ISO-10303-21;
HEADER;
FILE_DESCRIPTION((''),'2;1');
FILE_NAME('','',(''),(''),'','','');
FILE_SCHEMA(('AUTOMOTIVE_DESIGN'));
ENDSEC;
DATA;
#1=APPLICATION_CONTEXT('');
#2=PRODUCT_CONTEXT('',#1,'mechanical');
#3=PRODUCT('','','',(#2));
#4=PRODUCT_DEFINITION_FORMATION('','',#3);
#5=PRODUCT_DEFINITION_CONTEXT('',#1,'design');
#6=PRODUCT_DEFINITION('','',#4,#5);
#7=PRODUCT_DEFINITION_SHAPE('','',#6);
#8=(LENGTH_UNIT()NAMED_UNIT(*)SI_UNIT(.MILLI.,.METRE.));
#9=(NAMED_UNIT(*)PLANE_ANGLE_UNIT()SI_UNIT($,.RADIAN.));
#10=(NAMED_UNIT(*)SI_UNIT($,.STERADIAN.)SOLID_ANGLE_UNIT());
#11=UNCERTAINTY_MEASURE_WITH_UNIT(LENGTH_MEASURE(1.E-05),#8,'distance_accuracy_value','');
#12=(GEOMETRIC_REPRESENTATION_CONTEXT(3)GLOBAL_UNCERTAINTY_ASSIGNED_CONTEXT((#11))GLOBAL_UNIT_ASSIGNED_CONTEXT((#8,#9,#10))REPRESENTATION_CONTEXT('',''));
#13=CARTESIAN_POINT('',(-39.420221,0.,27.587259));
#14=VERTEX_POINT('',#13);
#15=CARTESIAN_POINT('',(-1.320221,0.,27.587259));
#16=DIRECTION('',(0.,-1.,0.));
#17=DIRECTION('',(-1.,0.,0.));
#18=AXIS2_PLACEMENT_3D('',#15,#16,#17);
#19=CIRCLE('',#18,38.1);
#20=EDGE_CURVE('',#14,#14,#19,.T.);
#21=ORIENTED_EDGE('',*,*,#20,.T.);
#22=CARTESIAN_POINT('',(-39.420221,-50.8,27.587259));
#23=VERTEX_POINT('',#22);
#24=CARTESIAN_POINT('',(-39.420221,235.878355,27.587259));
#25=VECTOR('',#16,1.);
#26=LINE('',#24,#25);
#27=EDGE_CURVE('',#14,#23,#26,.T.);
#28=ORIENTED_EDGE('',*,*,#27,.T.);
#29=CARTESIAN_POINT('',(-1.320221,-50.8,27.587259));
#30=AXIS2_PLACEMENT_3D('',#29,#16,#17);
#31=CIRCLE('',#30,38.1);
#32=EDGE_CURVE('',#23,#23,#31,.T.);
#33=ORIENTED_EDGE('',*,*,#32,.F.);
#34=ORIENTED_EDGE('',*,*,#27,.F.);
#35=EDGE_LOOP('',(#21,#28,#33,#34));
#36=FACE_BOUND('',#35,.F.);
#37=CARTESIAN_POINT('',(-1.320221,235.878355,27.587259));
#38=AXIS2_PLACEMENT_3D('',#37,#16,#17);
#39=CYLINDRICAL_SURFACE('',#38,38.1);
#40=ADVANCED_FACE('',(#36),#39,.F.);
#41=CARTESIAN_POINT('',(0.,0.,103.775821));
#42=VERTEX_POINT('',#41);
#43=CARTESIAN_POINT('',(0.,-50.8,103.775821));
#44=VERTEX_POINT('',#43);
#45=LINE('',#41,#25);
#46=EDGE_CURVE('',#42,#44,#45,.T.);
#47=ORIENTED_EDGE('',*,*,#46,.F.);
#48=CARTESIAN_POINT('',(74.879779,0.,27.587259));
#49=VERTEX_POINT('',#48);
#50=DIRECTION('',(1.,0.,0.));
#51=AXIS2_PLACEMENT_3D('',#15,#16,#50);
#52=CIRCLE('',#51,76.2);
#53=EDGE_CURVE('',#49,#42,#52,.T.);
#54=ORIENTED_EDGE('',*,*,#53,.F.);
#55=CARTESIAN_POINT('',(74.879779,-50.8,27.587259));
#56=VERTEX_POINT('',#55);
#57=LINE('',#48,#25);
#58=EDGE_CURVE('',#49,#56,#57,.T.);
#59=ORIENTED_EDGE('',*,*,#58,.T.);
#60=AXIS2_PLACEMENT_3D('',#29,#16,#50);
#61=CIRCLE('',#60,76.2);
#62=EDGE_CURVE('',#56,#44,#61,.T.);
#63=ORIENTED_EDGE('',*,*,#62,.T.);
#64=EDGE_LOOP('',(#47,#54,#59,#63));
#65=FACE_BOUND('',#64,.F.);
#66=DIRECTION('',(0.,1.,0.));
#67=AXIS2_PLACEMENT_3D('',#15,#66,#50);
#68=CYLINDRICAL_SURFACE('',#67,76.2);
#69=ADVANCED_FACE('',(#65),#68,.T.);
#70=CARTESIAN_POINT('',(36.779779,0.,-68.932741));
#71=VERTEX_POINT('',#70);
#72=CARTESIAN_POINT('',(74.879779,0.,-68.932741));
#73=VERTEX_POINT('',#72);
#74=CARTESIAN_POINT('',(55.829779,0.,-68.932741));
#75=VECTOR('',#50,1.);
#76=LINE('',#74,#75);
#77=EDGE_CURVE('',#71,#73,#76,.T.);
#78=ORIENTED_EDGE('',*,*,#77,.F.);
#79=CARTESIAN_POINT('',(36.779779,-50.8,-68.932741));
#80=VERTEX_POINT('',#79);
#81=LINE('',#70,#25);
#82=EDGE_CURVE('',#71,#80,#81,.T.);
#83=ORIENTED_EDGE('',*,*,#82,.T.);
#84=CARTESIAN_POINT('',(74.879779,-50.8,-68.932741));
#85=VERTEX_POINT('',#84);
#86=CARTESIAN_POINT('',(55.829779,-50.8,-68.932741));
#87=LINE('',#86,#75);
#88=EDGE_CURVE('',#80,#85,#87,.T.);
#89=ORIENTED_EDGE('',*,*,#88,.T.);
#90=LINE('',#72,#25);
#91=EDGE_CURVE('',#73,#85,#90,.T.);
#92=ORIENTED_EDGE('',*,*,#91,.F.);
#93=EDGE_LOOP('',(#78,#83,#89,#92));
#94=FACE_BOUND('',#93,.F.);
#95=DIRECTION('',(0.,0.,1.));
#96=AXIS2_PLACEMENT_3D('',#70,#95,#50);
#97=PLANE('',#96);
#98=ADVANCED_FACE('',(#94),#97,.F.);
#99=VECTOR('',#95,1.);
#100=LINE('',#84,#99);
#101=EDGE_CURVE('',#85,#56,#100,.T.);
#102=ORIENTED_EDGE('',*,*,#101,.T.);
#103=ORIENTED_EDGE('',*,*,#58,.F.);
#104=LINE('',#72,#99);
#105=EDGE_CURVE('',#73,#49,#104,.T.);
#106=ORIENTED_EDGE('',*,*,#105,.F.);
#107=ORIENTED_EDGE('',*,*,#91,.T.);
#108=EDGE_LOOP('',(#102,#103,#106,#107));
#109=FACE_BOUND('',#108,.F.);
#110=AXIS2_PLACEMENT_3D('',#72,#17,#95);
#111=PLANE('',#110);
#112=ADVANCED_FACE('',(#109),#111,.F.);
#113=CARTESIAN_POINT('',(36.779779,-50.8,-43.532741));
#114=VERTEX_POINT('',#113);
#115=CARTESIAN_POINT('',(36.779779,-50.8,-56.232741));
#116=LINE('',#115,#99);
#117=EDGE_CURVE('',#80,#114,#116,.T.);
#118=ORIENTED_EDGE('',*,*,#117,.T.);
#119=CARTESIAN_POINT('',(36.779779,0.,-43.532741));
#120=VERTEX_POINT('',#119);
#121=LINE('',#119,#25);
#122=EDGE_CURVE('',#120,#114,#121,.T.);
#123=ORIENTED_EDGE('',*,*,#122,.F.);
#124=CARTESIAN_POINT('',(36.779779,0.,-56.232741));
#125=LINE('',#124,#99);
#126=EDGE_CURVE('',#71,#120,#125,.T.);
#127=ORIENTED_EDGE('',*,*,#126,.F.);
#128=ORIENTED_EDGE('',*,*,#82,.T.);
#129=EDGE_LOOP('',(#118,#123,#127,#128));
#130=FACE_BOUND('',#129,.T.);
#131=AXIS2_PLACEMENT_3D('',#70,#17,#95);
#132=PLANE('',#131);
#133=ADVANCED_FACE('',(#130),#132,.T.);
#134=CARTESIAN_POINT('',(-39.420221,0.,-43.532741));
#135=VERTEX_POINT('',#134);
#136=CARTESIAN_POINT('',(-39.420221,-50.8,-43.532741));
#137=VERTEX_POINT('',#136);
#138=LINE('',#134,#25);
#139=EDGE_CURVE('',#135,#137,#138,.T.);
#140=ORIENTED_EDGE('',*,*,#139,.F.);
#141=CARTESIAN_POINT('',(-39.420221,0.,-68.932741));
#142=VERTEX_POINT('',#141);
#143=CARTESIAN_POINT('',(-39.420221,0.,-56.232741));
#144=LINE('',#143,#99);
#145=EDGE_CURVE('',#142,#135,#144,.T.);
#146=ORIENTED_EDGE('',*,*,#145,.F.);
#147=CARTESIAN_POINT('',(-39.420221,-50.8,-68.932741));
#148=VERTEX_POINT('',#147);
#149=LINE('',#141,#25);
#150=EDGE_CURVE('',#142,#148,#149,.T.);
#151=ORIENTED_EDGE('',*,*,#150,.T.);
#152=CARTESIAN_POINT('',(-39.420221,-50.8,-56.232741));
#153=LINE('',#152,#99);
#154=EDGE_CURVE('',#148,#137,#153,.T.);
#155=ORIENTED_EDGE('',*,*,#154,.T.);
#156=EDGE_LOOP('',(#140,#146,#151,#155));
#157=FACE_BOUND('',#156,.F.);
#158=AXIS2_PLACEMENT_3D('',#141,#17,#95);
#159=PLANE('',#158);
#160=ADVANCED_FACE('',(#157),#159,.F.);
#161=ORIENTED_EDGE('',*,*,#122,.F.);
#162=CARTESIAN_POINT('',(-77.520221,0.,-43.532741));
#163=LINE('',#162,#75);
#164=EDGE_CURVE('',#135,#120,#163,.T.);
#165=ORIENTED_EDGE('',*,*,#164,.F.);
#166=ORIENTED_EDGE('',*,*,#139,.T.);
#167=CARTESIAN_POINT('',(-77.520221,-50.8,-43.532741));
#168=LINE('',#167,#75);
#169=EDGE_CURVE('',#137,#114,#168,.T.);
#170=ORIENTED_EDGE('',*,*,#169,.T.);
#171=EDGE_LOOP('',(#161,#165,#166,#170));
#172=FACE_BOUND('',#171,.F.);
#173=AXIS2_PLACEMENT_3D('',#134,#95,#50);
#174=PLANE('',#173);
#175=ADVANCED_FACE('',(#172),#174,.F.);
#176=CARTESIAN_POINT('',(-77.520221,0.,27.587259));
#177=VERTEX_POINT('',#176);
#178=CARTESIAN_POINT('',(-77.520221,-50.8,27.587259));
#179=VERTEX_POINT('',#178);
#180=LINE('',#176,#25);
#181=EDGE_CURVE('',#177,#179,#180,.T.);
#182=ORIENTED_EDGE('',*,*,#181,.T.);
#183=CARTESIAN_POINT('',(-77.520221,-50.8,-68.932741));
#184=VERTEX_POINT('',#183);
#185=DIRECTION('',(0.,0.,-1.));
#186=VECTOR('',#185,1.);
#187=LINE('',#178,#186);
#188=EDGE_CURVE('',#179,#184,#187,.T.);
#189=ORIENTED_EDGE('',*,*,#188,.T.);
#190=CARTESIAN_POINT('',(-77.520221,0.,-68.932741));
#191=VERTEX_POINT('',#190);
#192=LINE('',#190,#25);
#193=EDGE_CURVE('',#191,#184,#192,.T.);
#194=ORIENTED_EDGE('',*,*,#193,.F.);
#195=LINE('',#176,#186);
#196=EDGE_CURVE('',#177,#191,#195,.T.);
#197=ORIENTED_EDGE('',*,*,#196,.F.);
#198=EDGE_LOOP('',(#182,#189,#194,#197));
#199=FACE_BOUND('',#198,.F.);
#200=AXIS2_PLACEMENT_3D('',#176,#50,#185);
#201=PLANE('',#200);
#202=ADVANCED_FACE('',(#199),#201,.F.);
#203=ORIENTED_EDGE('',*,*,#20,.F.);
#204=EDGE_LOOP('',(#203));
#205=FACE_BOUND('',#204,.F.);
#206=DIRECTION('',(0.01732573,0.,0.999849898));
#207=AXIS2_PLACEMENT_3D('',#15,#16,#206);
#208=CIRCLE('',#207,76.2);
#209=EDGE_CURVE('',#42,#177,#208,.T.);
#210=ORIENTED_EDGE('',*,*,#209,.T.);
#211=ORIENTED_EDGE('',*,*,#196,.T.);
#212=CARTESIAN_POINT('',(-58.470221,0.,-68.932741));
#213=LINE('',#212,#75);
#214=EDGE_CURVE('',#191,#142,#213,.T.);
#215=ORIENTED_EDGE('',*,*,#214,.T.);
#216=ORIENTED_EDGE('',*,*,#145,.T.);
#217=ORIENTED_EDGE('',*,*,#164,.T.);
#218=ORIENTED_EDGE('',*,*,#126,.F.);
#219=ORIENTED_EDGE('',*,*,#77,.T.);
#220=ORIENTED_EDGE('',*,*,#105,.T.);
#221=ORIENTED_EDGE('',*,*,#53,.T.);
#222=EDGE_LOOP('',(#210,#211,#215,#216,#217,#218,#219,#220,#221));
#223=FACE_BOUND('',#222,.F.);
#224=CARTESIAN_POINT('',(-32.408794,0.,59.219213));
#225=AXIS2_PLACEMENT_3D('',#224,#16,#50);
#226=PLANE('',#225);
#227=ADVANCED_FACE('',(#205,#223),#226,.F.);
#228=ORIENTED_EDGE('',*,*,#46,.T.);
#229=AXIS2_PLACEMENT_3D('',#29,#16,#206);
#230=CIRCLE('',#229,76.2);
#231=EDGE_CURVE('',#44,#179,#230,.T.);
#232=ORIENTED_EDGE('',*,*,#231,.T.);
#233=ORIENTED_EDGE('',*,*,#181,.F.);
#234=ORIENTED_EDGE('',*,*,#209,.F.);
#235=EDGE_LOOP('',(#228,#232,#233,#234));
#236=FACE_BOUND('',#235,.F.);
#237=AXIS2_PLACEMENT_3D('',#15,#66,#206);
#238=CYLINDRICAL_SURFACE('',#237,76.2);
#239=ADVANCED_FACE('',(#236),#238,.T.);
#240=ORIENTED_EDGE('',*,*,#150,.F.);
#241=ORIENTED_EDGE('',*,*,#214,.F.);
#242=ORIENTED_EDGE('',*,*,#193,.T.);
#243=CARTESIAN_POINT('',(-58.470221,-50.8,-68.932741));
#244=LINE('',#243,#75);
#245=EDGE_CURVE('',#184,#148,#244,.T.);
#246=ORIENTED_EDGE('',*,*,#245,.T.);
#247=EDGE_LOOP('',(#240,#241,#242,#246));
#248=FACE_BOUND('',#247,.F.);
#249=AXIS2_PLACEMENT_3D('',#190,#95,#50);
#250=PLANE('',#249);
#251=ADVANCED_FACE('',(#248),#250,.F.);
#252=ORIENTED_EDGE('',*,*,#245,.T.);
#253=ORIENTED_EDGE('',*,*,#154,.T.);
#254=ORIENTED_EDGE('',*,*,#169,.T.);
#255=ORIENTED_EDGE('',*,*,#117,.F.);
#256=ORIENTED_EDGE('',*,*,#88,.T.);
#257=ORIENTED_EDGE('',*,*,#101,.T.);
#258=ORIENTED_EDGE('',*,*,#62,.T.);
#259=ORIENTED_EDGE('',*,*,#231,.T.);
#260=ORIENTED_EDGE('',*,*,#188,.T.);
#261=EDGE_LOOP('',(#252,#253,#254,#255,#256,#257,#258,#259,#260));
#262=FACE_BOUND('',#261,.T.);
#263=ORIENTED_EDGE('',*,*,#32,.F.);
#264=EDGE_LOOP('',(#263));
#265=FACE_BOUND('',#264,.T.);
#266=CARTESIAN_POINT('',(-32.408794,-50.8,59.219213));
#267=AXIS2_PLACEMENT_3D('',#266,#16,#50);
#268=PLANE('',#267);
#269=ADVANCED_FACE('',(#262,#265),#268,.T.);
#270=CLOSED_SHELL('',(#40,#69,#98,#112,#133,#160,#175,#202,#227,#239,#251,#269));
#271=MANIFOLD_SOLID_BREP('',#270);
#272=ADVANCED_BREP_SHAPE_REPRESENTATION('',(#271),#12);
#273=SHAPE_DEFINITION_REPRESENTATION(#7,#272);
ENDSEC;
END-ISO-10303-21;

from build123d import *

# Parameters (mm, degrees)
F0_W     = 38.1
F0_H     = 25.4
F1_DEPTH = 50.8
F2_D     = 76.2


with BuildPart() as f1:
    # F0 (on Front) → F1 (new body)
    with BuildSketch(Plane.XZ):
        with BuildLine():
            ThreePointArc((0, 103.7758213215), (-54.7329493961, 81.9335598316), (-77.5202206336, 27.5872590731))
            Line((-77.5202206336, 27.5872590731), (-1.3202206336, 27.5872590731))
            Line((-1.3202206336, 27.5872590731), (0, 103.7758213215))
        make_face()
        Polygon((-1.3202206336, 27.5872590731), (-77.5202206336, 27.5872590731), (-77.5202206336, -43.5327409269), (-39.4202206336, -43.5327409269), (36.7797793664, -43.5327409269), (74.8797793664, -43.5327409269), (74.8797793664, 27.5872590731), align=None)
        with BuildLine():
            Line((0, 103.7758213215), (-1.3202206336, 27.5872590731))
            Line((-1.3202206336, 27.5872590731), (74.8797793664, 27.5872590731))
            ThreePointArc((74.8797793664, 27.5872590731), (53.026080125, 80.9999878356), (0, 103.7758213215))
        make_face()
        with Locations((-58.4702206336, -56.2327409269)):
            Rectangle(F0_W, F0_H)
        with Locations((55.8297793664, -56.2327409269)):
            Rectangle(F0_W, F0_H)
    extrude(amount=F1_DEPTH)

    # F2 (through all)
    with Locations(Plane(origin=(0, 0, 0), x_dir=(1, 0, 0), z_dir=(0, 1, 0))):
        with Locations((-1.3202206336, -27.5872590731)):
            Hole(F2_D / 2)


solid = f1.part
